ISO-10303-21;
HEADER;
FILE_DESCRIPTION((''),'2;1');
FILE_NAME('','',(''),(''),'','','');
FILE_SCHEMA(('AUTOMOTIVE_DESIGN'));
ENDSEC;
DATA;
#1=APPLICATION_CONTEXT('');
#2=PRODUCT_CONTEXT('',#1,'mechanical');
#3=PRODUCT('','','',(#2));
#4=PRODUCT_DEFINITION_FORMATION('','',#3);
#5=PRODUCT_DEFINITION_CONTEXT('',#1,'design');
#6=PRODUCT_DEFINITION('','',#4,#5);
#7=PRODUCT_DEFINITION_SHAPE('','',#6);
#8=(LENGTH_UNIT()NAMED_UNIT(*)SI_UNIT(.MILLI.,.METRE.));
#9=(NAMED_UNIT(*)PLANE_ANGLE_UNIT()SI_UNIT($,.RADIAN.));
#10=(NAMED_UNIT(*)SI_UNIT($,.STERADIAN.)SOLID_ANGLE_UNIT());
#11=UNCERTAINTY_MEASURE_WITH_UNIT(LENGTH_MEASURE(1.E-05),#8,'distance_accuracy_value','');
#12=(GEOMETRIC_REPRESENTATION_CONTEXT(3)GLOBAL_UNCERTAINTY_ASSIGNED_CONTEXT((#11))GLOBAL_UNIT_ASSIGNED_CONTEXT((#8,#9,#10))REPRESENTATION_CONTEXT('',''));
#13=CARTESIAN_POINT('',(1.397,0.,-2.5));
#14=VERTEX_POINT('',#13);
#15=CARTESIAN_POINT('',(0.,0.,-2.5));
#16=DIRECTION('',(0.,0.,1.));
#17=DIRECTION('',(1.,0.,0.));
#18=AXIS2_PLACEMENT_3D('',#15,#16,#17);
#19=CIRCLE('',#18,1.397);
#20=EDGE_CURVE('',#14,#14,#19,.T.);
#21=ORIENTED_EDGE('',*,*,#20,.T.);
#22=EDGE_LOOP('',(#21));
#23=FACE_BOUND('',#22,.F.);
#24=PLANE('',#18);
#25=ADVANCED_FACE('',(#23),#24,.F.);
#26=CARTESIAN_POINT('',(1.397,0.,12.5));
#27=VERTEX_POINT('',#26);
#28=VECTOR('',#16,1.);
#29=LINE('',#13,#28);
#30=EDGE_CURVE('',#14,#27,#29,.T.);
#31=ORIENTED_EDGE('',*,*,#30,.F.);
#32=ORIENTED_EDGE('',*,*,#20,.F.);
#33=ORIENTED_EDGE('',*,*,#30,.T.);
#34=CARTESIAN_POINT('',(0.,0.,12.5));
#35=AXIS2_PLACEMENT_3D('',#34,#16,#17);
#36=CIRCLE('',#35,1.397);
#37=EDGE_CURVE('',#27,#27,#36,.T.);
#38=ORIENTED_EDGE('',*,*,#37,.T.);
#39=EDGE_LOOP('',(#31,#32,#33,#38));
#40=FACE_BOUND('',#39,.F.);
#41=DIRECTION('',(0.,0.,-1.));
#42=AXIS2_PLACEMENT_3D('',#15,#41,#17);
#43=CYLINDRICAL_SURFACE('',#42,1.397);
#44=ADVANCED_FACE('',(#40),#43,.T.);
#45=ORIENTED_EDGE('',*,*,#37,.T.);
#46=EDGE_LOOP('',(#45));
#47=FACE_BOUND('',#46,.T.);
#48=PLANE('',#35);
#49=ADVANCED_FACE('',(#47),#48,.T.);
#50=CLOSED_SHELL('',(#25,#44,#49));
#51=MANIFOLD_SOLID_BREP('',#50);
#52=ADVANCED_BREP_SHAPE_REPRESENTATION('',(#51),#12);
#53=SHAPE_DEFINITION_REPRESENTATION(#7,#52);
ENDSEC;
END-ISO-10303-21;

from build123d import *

# Parameters (mm, degrees)
CYLINDER_R     = 1.397
CYLINDER_DEPTH = 15


with BuildPart() as part:
    # Cylinder → Cylinder (new body)
    with BuildSketch(Plane.XY.offset(-2.5)):
        Circle(CYLINDER_R)
    extrude(amount=CYLINDER_DEPTH)


solid = part.part
